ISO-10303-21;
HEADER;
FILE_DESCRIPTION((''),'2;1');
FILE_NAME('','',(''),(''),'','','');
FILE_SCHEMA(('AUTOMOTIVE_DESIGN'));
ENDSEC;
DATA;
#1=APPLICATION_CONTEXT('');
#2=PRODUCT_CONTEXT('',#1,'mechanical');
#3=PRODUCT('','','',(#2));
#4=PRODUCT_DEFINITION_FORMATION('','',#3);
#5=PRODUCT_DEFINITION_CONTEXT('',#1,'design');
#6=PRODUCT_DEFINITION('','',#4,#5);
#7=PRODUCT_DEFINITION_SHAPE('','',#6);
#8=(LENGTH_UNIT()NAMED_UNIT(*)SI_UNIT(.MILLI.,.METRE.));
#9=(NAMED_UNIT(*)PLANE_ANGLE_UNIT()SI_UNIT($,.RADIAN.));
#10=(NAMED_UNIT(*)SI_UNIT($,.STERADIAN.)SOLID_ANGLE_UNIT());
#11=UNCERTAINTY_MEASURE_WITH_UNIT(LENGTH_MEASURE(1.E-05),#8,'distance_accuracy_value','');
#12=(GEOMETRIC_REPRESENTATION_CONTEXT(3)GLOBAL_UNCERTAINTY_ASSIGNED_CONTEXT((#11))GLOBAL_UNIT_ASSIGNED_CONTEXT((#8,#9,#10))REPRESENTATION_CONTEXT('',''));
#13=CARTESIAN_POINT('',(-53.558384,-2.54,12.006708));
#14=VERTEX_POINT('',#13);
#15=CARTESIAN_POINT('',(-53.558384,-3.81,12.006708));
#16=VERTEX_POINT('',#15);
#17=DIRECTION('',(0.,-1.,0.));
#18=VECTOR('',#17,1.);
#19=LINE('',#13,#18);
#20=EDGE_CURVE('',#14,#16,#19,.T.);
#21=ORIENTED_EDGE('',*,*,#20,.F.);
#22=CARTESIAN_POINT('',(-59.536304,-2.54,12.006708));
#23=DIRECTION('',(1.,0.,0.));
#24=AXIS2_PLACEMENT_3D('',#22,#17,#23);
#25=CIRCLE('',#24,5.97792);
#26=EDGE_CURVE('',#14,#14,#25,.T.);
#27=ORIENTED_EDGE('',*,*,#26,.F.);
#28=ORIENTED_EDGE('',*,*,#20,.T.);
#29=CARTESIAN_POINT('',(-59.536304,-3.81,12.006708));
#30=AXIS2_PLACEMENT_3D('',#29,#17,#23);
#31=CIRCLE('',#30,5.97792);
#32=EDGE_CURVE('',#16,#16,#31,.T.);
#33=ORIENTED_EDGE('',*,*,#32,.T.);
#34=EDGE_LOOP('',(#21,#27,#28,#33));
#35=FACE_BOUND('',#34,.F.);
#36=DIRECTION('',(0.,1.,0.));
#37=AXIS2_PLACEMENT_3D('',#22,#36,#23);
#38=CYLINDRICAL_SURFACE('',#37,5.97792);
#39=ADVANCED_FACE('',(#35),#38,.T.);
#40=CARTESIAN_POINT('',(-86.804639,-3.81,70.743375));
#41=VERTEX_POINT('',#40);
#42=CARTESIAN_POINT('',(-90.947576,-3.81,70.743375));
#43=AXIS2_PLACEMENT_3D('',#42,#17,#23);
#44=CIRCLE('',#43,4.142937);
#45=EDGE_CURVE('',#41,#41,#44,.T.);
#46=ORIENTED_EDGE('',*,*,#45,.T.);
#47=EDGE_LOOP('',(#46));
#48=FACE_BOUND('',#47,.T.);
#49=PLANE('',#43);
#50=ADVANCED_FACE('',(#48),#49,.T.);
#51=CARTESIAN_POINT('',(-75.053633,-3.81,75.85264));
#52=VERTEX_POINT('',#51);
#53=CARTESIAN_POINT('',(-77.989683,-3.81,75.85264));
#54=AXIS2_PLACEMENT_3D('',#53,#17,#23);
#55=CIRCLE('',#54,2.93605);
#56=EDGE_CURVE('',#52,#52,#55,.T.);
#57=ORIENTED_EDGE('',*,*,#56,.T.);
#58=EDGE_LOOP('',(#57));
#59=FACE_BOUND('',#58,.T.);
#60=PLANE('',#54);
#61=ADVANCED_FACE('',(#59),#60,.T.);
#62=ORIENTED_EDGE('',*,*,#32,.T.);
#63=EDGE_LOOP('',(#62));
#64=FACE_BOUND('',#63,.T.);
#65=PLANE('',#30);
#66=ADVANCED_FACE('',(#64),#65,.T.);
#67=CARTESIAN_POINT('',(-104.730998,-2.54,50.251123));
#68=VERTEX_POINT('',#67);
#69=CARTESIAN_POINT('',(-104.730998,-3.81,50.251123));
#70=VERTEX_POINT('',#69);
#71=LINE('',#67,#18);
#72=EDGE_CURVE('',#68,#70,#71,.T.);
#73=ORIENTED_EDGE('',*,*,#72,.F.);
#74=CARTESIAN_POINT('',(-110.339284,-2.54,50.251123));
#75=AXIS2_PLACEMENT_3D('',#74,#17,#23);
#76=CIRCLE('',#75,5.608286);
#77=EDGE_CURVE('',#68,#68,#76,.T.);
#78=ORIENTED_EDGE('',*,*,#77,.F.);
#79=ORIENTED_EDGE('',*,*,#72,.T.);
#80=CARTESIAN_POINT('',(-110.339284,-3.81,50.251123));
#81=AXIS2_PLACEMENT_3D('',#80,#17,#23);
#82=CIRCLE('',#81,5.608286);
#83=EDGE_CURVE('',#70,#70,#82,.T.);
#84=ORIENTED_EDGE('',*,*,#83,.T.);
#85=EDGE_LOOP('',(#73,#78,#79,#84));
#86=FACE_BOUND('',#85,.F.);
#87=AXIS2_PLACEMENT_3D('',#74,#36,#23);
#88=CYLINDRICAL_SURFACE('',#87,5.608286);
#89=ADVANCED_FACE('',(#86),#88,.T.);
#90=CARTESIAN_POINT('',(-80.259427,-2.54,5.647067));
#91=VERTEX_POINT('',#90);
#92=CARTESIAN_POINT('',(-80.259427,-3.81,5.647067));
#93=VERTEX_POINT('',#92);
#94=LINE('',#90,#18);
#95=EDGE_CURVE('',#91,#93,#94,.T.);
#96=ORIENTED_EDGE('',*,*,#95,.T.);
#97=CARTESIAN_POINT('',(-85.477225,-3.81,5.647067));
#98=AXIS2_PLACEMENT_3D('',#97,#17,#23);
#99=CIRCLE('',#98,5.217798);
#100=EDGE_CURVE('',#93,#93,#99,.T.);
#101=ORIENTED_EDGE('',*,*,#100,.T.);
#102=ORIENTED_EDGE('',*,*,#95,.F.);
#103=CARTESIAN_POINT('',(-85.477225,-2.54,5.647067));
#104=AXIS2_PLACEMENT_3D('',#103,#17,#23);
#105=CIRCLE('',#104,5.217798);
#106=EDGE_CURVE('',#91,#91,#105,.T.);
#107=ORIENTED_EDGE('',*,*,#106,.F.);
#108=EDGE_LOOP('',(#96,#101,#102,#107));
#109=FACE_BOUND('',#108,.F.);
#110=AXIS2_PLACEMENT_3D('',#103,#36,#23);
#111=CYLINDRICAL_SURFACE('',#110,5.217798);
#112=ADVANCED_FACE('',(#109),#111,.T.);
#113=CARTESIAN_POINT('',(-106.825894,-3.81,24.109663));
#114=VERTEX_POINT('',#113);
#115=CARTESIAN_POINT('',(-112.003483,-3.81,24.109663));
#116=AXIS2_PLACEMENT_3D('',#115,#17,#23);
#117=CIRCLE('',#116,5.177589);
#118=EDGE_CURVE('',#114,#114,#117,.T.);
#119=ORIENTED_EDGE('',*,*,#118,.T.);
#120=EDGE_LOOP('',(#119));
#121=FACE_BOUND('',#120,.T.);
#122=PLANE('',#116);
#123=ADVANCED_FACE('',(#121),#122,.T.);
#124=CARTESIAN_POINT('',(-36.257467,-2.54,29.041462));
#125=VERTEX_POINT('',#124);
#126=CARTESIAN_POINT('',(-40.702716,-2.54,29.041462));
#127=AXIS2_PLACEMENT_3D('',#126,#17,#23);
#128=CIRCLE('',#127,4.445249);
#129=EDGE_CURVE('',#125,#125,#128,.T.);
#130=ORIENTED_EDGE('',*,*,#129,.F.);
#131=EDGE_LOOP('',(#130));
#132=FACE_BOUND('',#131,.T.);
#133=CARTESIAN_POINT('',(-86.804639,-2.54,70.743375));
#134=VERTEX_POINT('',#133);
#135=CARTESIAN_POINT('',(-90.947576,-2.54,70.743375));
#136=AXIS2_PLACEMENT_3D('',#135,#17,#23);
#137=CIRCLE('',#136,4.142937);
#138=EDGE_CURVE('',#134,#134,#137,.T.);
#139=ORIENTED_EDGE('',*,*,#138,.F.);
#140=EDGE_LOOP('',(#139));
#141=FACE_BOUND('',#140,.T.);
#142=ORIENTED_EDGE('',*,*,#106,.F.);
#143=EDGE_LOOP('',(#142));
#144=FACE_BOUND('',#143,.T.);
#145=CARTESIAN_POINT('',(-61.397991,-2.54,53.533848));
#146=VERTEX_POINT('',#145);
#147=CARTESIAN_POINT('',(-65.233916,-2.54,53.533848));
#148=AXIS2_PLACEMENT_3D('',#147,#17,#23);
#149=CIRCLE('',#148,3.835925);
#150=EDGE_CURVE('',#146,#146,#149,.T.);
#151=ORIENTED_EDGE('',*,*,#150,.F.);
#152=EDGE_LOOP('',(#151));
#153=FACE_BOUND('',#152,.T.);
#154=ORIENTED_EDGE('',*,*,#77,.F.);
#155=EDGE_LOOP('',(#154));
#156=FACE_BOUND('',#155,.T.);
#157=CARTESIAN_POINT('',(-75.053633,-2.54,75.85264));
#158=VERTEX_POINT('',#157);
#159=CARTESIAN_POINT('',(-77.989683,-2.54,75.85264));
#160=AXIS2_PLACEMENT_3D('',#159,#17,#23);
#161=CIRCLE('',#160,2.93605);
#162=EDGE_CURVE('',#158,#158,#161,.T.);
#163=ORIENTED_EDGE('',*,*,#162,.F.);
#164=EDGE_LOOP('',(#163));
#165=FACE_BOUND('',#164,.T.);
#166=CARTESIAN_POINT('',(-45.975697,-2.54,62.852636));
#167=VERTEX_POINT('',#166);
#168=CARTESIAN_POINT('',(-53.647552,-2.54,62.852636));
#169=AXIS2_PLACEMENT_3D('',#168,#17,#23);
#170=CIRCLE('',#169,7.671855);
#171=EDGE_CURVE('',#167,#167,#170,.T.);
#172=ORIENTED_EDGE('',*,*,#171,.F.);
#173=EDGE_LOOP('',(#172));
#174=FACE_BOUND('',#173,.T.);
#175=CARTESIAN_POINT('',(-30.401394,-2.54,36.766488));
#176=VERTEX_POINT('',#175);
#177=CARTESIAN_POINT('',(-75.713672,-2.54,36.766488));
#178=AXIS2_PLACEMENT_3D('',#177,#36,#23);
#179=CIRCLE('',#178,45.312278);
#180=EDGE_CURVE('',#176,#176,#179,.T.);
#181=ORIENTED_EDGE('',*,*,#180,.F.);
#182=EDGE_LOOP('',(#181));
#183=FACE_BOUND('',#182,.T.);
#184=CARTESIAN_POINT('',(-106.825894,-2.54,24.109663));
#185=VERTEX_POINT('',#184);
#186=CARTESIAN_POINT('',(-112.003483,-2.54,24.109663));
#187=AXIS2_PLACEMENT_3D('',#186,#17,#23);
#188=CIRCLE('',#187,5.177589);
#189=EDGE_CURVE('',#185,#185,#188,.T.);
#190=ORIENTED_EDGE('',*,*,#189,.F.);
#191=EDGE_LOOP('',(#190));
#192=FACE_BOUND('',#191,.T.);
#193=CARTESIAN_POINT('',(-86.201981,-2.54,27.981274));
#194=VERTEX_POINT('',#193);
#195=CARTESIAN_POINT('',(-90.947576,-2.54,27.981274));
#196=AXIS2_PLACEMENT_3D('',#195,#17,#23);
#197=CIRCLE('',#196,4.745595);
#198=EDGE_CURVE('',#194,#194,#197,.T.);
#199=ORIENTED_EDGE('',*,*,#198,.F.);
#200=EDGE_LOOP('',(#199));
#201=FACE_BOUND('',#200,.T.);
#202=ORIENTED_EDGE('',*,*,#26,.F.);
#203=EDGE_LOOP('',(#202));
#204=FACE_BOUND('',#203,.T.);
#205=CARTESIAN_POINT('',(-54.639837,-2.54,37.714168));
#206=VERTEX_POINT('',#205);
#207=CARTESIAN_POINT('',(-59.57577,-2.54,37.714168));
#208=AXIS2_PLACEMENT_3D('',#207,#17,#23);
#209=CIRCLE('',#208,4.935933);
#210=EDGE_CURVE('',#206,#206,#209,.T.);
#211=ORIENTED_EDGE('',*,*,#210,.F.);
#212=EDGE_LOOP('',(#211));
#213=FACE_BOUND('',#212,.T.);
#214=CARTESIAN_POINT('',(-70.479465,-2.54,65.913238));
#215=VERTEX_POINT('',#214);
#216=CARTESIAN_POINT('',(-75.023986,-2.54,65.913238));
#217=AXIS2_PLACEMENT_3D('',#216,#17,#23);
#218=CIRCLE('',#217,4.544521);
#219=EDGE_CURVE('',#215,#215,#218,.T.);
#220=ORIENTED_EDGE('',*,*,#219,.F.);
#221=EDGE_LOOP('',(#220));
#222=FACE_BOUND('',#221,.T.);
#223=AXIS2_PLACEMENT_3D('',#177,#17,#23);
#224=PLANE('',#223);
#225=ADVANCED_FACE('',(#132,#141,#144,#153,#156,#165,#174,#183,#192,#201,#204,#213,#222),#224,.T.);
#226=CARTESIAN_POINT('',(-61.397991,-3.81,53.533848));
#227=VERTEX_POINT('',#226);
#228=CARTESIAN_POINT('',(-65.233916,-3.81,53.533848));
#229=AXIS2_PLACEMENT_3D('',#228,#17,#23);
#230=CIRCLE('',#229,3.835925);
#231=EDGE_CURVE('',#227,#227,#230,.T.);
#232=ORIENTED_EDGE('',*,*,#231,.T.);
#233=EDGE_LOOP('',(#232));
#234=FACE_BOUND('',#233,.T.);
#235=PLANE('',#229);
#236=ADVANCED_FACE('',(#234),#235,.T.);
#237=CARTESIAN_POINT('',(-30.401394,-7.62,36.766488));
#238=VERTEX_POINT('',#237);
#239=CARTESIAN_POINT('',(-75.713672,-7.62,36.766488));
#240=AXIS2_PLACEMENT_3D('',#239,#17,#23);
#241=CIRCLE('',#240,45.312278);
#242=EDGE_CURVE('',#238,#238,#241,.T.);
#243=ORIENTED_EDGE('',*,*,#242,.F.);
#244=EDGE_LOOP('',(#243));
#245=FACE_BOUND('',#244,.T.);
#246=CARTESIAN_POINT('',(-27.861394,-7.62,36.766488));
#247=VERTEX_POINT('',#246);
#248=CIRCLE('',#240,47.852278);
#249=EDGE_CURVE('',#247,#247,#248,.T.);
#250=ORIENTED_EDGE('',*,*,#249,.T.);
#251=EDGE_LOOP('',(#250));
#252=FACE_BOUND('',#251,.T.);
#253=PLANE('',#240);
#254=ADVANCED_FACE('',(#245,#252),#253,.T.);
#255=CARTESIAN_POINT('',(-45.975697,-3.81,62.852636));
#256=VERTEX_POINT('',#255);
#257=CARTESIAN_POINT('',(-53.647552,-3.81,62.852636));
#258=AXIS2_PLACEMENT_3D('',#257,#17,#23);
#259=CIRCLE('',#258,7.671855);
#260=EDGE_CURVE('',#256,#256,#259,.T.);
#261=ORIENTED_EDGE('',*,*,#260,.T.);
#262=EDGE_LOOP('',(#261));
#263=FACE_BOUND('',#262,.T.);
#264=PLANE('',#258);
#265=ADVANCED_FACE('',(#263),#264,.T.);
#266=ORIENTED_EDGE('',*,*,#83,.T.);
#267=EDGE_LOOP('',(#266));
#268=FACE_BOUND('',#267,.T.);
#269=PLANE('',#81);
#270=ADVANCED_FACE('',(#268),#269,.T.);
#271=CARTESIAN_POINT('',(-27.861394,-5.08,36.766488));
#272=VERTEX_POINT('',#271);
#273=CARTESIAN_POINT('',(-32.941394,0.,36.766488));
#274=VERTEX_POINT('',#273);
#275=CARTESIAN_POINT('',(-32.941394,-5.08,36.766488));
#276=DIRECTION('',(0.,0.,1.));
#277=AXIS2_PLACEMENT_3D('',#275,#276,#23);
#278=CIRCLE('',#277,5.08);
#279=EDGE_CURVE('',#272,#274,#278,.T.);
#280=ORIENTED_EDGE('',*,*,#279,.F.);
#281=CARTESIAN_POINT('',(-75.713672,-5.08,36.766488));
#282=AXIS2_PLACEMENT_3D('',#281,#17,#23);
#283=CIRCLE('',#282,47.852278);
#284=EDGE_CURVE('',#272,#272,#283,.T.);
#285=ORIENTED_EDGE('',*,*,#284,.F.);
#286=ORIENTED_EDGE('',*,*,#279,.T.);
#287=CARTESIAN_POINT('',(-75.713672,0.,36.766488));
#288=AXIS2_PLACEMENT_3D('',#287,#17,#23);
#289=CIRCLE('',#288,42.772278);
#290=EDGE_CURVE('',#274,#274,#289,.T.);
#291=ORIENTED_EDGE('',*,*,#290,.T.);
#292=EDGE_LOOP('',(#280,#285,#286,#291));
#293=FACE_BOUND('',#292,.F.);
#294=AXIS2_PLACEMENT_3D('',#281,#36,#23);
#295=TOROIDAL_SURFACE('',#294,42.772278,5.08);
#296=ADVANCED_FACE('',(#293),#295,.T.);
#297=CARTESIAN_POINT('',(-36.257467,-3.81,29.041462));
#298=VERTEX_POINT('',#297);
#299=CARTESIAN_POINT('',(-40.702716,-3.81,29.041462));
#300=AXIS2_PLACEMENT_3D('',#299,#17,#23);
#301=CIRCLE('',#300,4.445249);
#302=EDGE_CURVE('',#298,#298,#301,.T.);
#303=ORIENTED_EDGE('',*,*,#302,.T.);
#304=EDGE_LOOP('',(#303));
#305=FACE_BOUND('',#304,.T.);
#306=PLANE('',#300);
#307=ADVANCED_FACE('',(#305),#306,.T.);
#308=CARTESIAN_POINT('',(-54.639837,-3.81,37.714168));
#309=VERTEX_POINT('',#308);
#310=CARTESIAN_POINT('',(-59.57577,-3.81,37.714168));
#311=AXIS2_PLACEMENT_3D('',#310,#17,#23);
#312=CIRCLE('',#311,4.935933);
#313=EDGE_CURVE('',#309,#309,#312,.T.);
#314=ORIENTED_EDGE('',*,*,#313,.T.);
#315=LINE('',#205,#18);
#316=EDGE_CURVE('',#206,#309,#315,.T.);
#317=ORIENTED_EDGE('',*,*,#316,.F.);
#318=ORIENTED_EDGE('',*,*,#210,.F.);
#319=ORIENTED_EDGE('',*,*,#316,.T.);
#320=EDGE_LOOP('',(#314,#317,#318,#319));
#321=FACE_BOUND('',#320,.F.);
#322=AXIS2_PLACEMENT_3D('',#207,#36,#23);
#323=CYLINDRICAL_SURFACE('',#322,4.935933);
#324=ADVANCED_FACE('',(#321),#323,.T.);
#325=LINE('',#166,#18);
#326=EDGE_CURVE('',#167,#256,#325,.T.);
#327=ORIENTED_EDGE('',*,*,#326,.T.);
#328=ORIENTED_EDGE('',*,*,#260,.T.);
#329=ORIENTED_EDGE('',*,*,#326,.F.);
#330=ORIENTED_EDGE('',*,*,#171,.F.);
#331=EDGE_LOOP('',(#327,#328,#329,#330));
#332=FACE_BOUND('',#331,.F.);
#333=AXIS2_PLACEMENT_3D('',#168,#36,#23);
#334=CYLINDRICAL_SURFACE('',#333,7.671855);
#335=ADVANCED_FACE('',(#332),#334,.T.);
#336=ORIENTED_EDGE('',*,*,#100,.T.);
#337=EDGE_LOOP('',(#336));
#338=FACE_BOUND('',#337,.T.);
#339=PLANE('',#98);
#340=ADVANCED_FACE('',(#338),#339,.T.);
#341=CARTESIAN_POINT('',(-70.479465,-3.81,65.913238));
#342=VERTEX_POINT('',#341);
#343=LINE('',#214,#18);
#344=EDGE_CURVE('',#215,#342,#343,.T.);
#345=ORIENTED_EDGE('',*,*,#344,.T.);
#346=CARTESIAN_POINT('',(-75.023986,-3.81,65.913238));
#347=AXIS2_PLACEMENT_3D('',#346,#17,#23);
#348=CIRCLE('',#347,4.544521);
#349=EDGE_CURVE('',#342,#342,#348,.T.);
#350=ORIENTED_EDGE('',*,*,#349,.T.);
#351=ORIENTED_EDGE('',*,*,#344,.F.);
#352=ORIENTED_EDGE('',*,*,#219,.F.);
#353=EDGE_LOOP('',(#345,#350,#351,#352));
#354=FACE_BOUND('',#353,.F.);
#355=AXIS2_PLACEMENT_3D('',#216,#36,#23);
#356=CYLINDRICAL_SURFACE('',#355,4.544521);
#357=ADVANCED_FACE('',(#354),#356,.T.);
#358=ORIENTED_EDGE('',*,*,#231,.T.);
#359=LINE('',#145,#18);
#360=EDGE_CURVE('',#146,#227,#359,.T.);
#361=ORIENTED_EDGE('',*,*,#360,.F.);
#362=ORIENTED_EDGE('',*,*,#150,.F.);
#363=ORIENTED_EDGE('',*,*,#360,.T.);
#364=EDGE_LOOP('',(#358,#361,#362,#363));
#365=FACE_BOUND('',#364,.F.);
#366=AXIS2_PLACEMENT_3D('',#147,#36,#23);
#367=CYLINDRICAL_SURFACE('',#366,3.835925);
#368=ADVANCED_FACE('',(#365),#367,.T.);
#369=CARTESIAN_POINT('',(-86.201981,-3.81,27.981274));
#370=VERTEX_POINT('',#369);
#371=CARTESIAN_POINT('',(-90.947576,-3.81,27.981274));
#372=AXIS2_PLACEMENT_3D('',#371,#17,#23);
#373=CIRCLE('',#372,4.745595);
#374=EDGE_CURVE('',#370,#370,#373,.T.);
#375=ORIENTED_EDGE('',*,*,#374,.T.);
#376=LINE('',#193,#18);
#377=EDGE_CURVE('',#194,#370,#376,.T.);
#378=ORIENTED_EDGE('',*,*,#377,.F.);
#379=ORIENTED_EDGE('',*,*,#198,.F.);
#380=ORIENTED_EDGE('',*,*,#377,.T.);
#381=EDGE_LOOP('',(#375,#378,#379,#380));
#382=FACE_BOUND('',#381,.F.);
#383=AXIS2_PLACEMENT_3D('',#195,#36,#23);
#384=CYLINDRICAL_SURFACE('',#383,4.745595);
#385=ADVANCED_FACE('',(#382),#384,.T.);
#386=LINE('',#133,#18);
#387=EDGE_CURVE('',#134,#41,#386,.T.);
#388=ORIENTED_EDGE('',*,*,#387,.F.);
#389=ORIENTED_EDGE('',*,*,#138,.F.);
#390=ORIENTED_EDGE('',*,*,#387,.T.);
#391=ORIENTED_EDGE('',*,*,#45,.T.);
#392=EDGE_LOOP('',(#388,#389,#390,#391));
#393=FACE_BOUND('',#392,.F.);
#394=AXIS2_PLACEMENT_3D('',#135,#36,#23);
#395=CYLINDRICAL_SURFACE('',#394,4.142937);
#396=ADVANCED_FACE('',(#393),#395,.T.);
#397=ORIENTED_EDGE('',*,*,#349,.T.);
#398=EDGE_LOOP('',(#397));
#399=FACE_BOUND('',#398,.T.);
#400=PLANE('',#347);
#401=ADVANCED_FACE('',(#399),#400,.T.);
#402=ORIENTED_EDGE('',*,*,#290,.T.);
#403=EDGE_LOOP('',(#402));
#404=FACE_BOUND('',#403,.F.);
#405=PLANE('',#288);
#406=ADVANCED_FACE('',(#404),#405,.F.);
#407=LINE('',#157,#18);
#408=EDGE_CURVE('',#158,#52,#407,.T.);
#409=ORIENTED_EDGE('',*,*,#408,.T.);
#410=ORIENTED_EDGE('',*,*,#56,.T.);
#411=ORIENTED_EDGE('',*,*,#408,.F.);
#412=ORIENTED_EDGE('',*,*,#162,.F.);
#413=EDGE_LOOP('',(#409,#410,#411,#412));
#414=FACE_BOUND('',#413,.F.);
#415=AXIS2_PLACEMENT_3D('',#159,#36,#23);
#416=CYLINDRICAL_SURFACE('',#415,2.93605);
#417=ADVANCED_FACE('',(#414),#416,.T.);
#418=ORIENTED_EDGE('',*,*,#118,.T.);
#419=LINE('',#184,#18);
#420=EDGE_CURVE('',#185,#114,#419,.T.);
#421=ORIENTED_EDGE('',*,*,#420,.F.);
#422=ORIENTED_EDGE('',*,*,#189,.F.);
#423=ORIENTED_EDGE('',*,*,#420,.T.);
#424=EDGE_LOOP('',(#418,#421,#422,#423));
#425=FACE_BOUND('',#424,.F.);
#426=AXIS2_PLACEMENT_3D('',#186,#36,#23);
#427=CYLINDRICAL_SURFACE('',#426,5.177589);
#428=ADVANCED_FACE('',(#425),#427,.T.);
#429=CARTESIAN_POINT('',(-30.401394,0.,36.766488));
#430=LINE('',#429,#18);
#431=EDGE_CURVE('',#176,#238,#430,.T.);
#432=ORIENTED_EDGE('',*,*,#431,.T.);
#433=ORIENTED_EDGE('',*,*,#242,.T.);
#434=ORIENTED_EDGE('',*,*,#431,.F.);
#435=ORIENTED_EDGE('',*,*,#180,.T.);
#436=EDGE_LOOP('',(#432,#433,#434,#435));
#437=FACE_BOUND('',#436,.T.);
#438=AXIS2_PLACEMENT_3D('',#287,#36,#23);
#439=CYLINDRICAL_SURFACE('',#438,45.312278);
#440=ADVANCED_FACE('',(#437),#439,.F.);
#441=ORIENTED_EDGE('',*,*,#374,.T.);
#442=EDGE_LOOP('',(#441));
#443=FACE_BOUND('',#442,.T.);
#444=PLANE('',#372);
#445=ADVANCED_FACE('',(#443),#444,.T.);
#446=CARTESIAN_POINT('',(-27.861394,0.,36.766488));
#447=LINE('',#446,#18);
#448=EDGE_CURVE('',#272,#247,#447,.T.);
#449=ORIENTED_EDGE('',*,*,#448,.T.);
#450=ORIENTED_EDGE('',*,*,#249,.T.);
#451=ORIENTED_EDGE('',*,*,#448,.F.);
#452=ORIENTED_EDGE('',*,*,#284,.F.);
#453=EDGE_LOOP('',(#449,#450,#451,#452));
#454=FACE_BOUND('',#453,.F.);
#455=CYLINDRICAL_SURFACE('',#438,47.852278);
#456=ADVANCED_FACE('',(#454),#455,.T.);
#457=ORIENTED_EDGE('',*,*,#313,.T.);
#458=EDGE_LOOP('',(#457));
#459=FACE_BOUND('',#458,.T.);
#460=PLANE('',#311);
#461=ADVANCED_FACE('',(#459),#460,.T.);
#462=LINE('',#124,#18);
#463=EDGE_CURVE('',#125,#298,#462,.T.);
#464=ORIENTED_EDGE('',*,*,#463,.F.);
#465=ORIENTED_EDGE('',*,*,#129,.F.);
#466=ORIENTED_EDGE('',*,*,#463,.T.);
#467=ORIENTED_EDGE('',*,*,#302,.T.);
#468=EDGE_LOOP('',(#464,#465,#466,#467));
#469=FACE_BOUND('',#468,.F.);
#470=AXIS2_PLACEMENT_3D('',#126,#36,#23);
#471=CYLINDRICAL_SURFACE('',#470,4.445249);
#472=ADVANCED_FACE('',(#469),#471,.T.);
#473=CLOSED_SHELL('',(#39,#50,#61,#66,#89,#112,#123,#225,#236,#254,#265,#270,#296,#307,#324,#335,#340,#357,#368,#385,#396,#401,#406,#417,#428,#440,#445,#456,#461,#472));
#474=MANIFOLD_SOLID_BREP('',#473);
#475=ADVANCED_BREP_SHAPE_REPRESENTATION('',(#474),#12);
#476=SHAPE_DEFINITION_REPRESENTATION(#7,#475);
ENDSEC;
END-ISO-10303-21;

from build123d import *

# Parameters (mm, degrees)
F0_R     = 47.852278
F1_DEPTH = 7.62
F2_T     = -2.54
F4_R     = 5.608286
F4_R_2   = 5.177589
F4_R_3   = 5.217798
F4_R_4   = 5.97792
F4_R_5   = 4.935933
F4_R_6   = 4.445249
F4_R_7   = 4.745595
F4_R_8   = 4.142937
F4_R_9   = 2.93605
F4_R_10  = 4.544521
F4_R_11  = 7.671855
F4_R_12  = 3.835925
F5_DEPTH = 1.27
F6_R     = 5.08


with BuildPart() as f1:
    # F0 (on Front) → F1 (new body)
    with BuildSketch(Plane.XZ):
        with Locations((-75.713672, 36.766488)):
            Circle(F0_R)
    extrude(amount=F1_DEPTH)

    # F2
    f2_openings = [f1.faces().sort_by_distance(p)[0] for p in [
        (-75.713672, -7.62, 36.766488),
    ]]
    offset(amount=F2_T, openings=f2_openings)

    # F4 (on face) → F5 (join)
    with BuildSketch(Plane.XZ.offset(2.54)):
        with Locations((-110.339284, 50.251123)):
            Circle(F4_R)
        with Locations((-112.003483, 24.109663)):
            Circle(F4_R_2)
        with Locations((-85.477225, 5.647067)):
            Circle(F4_R_3)
        with Locations((-59.536304, 12.006708)):
            Circle(F4_R_4)
        with Locations((-59.57577, 37.714168)):
            Circle(F4_R_5)
        with Locations((-40.702716, 29.041462)):
            Circle(F4_R_6)
        with Locations((-90.947576, 27.981274)):
            Circle(F4_R_7)
        with Locations((-90.947576, 70.743375)):
            Circle(F4_R_8)
        with Locations((-77.989683, 75.85264)):
            Circle(F4_R_9)
        with Locations((-75.023986, 65.913238)):
            Circle(F4_R_10)
        with Locations((-53.647552, 62.852636)):
            Circle(F4_R_11)
        with Locations((-65.233916, 53.533848)):
            Circle(F4_R_12)
    extrude(amount=F5_DEPTH)

    # F6
    f6_edges = [f1.edges().sort_by_distance(p)[0] for p in [
        (-123.565949, 0, 36.766488),
    ]]
    fillet(f6_edges, radius=F6_R)


solid = f1.part
